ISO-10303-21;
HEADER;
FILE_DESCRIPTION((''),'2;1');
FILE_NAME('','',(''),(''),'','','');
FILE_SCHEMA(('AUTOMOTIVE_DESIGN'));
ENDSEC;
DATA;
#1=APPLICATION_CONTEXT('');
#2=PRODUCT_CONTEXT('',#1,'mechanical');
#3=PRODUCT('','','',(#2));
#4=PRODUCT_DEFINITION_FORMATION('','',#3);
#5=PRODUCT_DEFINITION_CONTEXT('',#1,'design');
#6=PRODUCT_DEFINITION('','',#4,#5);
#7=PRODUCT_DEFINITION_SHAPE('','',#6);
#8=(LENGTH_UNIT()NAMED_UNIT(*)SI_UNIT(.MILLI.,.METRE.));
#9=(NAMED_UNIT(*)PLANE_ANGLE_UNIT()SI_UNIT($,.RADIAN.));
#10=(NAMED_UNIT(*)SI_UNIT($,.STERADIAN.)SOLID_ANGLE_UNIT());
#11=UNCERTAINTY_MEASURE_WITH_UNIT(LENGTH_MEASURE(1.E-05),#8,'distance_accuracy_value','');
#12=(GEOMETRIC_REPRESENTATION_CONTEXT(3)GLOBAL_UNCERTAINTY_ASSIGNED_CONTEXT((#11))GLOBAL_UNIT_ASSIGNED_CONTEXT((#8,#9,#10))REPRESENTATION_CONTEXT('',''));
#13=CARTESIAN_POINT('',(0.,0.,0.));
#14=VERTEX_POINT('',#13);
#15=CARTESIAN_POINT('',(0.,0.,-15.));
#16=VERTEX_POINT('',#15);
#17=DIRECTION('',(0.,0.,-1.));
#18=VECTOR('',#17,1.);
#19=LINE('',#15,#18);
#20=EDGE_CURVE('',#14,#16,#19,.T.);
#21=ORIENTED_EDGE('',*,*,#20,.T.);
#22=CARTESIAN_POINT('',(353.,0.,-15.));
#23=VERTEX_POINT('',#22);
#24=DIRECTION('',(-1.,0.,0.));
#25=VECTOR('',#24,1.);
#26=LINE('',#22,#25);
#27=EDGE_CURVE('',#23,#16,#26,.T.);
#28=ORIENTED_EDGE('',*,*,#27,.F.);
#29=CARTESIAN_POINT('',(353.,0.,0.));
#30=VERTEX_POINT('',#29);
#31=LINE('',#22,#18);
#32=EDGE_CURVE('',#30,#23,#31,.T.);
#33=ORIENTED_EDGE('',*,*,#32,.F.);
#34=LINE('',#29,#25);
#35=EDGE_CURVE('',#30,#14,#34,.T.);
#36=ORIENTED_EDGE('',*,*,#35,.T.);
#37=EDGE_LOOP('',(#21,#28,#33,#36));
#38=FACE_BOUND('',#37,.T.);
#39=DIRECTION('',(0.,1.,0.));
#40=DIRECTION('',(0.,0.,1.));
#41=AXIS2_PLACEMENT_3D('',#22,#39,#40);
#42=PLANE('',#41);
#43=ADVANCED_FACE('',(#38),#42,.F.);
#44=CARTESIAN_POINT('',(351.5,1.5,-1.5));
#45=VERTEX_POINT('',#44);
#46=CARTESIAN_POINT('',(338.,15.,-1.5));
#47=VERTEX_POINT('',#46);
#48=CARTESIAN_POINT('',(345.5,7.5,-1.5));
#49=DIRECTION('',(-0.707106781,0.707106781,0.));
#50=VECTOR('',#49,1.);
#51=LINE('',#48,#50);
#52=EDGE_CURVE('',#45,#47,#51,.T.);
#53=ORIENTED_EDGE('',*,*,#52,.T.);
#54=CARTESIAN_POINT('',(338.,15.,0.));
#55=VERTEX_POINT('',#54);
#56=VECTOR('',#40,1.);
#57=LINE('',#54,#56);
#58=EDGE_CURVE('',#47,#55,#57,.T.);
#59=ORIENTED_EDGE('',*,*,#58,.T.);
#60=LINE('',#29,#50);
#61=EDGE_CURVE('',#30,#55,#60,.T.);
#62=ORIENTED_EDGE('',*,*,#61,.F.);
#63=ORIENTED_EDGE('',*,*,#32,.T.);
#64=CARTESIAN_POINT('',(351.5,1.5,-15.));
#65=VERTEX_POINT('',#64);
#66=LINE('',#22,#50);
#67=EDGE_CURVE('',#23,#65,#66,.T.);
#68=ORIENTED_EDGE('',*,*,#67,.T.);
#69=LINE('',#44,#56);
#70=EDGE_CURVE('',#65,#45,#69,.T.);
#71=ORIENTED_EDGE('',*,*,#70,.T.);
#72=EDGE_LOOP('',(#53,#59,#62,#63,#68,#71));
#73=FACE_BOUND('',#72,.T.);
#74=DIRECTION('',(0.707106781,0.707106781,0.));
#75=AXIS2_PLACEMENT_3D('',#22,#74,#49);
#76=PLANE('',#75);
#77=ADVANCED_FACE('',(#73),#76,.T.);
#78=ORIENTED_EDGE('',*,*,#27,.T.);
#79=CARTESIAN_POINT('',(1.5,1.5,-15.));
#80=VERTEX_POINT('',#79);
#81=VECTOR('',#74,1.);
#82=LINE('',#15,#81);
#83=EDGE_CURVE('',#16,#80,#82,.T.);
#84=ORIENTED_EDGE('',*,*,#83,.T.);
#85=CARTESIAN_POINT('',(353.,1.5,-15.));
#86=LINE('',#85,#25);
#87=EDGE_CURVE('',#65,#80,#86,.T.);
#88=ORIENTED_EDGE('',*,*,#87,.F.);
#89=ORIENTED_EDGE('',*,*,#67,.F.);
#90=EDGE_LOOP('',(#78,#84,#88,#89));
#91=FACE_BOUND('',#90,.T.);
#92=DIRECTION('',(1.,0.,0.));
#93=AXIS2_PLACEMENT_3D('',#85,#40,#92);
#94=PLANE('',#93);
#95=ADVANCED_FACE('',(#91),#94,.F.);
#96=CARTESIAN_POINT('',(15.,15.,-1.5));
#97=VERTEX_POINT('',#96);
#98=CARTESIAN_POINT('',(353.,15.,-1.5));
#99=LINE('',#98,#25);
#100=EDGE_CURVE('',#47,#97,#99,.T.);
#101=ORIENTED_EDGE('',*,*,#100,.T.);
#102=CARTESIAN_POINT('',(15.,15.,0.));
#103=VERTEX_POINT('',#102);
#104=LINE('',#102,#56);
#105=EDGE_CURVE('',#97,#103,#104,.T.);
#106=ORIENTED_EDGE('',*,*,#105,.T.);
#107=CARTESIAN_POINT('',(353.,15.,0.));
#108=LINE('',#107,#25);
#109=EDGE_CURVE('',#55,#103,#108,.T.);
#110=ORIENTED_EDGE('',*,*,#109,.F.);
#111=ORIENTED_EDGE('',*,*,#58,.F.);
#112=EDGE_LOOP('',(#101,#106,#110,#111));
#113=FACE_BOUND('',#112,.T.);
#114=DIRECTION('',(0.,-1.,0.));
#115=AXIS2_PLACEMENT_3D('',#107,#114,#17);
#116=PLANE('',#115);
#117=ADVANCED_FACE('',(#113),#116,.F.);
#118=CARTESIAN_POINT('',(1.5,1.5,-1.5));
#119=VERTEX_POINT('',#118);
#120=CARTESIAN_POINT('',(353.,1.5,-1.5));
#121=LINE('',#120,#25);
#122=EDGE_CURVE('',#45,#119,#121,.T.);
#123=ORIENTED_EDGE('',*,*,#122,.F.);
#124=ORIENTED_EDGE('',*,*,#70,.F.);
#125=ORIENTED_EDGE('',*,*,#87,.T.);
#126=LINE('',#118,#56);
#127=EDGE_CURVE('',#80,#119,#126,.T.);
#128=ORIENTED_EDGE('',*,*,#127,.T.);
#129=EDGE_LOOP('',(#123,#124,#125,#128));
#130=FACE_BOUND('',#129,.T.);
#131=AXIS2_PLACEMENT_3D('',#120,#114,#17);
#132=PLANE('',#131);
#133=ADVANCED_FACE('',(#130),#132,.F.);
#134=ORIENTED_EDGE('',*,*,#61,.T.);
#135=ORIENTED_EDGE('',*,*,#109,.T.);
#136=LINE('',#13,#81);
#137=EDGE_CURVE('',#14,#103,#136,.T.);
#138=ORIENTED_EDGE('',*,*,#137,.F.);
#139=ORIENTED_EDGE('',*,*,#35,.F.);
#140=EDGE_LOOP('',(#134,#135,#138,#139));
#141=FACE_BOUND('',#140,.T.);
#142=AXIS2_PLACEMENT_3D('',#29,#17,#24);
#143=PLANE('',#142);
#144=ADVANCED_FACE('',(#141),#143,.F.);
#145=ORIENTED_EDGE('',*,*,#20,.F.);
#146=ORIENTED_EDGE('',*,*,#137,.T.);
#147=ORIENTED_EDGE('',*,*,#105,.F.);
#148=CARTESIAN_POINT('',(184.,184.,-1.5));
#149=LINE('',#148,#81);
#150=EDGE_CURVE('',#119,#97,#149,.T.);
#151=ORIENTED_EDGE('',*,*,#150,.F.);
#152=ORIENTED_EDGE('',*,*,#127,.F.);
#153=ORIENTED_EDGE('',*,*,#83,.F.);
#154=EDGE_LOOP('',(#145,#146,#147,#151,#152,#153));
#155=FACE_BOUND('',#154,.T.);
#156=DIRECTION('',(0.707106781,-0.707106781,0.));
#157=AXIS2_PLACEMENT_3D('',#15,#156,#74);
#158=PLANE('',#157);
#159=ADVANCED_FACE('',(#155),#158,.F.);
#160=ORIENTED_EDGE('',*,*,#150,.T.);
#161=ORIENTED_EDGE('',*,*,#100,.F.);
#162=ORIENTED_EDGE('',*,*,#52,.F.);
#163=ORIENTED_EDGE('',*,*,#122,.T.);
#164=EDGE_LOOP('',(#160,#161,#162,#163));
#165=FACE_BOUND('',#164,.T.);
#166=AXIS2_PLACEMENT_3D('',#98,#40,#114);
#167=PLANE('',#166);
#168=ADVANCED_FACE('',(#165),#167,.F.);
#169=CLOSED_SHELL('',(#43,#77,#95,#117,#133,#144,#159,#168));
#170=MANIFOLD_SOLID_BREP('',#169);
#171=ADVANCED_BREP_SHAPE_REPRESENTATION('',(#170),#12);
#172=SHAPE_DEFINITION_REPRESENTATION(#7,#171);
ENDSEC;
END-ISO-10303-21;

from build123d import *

# Parameters (mm, degrees)
EXTRUDE_1_DEPTH     = 353
CUT_EXTRUDE_1_DEPTH = 16


with BuildPart() as part:
    # Эскиз1 → Бобышка-Вытянуть1 (new body)
    with BuildSketch(Plane(origin=(0, 0, 0), x_dir=(0, 0, -1), z_dir=(1, 0, 0))):
        Polygon((0, 0), (0, 15), (1.5, 15), (1.5, 1.5), (15, 1.5), (15, 0), align=None)
    extrude(amount=EXTRUDE_1_DEPTH)

    # Эскиз2 → Вырез-Вытянуть1 (cut, through all)
    with BuildSketch(Plane.XY):
        Polygon((0, 0), (21.729873861, 21.729873861), (0, 21.729873861), align=None)
    cut_extrude_1 = extrude(amount=-CUT_EXTRUDE_1_DEPTH, mode=Mode.SUBTRACT)

    # Зеркальное отражение1: Вырез-Вытянуть1 across plane
    add(cut_extrude_1.mirror(Plane.ZY.offset(-176.5)), mode=Mode.SUBTRACT)


solid = part.part
